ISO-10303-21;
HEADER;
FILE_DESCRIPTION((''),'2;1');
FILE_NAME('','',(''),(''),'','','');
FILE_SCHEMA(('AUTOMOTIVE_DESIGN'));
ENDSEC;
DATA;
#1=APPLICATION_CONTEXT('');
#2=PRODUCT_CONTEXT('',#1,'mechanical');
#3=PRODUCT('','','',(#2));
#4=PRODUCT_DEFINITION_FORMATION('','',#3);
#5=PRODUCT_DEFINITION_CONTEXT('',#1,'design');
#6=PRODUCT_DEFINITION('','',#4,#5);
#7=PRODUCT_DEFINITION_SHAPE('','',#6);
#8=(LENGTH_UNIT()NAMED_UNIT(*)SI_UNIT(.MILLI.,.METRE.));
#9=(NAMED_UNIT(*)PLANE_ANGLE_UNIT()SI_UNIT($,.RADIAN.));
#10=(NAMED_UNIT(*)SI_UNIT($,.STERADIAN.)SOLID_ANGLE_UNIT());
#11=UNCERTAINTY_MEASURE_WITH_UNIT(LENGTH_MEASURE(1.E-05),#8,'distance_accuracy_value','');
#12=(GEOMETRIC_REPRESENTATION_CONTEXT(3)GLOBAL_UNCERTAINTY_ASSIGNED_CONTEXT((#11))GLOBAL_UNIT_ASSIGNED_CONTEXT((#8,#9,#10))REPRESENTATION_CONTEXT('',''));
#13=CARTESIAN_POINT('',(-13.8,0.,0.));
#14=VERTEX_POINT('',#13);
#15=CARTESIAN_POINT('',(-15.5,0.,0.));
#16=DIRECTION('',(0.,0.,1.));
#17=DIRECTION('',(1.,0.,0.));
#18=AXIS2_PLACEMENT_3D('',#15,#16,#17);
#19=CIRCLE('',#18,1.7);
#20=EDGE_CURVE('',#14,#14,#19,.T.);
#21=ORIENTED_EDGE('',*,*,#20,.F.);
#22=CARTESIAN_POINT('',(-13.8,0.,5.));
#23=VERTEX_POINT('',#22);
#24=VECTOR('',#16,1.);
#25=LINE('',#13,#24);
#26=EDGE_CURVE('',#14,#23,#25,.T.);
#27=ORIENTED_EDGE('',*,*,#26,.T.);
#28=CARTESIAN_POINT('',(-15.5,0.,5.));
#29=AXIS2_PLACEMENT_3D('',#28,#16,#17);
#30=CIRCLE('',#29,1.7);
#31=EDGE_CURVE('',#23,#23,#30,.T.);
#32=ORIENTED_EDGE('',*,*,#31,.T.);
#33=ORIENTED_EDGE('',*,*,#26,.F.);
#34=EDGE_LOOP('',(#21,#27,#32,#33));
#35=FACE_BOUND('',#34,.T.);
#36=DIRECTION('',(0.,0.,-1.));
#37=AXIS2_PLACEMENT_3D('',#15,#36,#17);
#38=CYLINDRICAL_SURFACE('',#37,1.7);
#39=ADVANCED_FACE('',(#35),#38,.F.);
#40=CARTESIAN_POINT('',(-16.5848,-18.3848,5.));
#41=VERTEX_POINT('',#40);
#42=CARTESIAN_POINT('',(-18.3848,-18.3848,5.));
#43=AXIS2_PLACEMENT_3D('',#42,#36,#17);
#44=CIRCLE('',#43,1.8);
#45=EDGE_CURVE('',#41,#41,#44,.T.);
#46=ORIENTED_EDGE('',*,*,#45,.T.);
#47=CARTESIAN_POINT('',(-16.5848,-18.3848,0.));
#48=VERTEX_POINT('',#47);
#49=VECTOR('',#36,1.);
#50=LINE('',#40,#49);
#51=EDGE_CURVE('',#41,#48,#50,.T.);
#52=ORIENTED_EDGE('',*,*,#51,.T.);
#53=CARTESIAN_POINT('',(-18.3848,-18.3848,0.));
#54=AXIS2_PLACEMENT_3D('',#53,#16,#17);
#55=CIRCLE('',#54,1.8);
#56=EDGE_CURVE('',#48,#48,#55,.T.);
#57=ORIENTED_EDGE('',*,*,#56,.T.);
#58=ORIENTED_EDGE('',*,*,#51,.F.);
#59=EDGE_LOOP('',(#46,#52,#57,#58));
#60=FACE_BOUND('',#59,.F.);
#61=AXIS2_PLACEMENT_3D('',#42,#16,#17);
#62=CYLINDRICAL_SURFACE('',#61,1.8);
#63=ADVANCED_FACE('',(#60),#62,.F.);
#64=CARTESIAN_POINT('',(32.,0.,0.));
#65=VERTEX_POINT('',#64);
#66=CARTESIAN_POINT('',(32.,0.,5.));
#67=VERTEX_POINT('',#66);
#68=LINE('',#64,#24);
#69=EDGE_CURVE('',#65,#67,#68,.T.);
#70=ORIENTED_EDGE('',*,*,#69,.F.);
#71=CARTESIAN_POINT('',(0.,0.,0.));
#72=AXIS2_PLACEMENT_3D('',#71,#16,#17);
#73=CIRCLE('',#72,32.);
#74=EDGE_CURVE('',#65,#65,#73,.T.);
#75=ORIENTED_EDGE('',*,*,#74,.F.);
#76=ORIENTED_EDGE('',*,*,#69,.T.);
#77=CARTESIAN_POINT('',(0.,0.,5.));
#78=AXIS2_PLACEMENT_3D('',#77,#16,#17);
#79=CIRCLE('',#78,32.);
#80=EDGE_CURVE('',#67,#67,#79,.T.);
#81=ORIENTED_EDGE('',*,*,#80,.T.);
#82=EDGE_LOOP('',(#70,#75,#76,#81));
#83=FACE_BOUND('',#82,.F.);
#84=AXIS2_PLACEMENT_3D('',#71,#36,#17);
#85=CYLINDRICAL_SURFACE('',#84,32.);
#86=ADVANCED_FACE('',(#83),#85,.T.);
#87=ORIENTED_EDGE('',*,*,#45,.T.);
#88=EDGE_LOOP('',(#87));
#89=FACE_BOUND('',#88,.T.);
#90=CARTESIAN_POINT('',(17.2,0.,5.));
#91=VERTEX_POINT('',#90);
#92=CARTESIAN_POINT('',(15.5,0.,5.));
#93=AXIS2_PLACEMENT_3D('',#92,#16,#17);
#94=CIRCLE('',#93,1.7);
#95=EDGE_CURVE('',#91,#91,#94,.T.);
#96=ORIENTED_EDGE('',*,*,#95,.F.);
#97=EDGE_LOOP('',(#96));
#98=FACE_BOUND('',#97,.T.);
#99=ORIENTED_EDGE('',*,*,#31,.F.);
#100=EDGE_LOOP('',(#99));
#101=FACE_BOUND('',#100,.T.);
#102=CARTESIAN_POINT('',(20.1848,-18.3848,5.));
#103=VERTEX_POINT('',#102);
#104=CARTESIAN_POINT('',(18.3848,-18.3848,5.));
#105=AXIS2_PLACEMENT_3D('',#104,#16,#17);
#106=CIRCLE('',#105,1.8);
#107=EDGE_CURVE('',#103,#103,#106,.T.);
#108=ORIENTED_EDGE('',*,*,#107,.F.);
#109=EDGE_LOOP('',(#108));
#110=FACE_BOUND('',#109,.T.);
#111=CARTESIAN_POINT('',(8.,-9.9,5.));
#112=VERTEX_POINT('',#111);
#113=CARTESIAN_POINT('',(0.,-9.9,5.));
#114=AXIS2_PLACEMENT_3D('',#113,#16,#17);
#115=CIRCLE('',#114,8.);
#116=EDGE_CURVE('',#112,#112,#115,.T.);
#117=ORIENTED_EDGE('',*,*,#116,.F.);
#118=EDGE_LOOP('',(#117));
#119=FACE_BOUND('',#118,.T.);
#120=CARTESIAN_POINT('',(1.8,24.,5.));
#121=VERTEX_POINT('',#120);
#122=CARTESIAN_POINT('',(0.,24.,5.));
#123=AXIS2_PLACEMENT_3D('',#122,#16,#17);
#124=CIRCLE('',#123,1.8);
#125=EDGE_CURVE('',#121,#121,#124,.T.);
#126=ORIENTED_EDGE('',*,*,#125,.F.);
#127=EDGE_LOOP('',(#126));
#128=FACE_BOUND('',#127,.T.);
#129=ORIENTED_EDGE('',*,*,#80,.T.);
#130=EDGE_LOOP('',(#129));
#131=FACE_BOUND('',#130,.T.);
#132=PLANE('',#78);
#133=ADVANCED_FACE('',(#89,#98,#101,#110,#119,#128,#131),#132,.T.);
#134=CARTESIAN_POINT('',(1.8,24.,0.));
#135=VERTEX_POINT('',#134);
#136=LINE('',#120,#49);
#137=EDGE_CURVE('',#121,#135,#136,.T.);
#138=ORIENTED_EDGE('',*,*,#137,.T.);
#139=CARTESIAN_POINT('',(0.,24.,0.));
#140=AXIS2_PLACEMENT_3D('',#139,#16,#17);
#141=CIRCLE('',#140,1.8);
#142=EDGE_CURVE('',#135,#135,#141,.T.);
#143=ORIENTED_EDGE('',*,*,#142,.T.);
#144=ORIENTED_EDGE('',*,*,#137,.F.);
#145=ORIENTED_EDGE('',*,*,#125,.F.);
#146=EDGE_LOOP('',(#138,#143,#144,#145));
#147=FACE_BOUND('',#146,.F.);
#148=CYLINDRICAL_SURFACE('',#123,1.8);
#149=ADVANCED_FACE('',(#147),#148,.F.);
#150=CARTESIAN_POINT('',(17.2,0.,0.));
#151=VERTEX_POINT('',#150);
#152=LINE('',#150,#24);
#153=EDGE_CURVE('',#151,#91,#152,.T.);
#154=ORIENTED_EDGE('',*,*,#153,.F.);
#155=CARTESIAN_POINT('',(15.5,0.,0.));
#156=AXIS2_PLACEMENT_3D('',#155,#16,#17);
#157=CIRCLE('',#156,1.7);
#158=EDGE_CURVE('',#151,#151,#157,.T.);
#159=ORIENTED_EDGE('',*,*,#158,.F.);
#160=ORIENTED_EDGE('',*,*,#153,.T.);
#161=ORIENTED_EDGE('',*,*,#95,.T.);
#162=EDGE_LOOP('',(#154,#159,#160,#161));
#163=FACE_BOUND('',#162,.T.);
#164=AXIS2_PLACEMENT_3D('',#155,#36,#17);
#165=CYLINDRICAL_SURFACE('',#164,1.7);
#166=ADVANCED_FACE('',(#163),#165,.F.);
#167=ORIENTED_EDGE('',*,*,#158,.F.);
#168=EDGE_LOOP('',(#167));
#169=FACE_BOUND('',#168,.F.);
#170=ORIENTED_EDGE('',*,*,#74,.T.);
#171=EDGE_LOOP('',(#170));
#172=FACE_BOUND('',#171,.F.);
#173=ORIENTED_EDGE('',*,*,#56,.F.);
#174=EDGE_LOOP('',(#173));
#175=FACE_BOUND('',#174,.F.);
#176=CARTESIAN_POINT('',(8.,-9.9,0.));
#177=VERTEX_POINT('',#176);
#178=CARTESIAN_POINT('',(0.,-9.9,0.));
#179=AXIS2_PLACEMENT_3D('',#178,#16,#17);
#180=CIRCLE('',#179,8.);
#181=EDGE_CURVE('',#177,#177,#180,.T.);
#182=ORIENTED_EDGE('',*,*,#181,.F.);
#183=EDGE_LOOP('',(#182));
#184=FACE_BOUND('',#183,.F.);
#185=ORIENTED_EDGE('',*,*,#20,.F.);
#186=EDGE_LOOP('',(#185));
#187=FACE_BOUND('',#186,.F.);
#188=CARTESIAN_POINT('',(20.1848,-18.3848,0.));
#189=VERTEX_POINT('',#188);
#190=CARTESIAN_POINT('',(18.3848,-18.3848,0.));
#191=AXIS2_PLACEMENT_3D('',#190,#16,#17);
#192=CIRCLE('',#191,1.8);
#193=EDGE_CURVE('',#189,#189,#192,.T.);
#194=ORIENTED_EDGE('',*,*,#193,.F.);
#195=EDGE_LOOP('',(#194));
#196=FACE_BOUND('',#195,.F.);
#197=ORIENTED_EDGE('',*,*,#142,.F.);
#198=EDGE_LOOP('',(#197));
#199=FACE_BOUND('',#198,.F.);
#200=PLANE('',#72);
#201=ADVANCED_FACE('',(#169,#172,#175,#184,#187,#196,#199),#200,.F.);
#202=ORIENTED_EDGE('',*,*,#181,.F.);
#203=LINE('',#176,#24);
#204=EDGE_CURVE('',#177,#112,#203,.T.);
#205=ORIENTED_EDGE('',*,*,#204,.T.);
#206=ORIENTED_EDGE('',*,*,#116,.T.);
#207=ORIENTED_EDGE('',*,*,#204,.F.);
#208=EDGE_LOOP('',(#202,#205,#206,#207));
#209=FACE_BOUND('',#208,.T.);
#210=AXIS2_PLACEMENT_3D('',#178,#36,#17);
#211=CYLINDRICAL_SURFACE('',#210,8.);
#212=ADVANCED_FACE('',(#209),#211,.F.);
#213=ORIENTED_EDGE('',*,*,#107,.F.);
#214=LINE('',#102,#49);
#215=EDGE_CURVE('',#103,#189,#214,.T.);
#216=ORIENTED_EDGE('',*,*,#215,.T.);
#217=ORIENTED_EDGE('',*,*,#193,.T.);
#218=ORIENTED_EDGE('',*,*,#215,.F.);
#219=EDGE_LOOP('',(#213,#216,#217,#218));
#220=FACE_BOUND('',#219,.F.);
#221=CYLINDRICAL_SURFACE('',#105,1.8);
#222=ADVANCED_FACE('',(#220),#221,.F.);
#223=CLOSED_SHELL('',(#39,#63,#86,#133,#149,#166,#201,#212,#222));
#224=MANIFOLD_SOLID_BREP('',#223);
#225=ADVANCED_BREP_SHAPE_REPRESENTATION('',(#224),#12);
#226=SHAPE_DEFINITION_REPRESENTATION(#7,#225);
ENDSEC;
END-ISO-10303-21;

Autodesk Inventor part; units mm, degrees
ref_plane "YZ Plane" through (0, 0, 0) normal (1, 0, 0) x (0, 1, 0)
ref_plane "XZ Plane" through (0, 0, 0) normal (0, 1, 0) x (-1, 0, 0)
ref_plane "XY Plane" through (0, 0, 0) normal (0, 0, 1) x (1, 0, 0)
sketch "Sketch1" plane through (0, 0, 0) normal (0, 0, 1) x (1, 0, 0)
  circle A0 centre (0, 0) radius 32
  circle A1 centre (-15.5, 0) radius 1.7
  circle A2 centre (15.5, 0) radius 1.7
  circle A3 centre (0, -9.9) radius 8
  circle A4 centre (0, 0) radius 18.5
  dimension "d10" = 16
  dimension "d13" = 64
  dimension "d14" = 37
extrude "Extrusion3" add sketch "Sketch1" along normal blind 5 contours A0 | A4
sketch "Sketch2" plane through (0, 0, 5) normal (0, 0, 1) x (1, 0, 0)
  circle A0 centre (0, -9.9) radius 8 projected
  circle A1 centre (15.5, 0) radius 1.7 projected
  circle A2 centre (-15.5, 0) radius 1.7 projected
  circle A3 centre (0, 0) radius 32 projected
  circle A4 centre (0, 24) radius 1.8
  line L0 (0, 0) -> (-22.6274, -22.6274)
  line L1 (0, 0) -> (-41.0301, 0)
  line L2 (-22.6274, -22.6274) -> (-18.3848, -18.3848)
  circle A5 centre (-18.3848, -18.3848) radius 1.8
  line L3 (0, 0) -> (0, 6.0561)
  circle A6 centre (18.3848, -18.3848) radius 1.8
  dimension "d15" = 3.6
  dimension "d16" = 45
  dimension "d17" = 6
  dimension "d18" = 3.6
  dimension "d21" = 24
extrude "Extrusion4" cut sketch "Sketch2" against normal up to next contours A5 L0 | L0 A5 | A4 | A6
properties part number "SUPORT STEEP 2"
